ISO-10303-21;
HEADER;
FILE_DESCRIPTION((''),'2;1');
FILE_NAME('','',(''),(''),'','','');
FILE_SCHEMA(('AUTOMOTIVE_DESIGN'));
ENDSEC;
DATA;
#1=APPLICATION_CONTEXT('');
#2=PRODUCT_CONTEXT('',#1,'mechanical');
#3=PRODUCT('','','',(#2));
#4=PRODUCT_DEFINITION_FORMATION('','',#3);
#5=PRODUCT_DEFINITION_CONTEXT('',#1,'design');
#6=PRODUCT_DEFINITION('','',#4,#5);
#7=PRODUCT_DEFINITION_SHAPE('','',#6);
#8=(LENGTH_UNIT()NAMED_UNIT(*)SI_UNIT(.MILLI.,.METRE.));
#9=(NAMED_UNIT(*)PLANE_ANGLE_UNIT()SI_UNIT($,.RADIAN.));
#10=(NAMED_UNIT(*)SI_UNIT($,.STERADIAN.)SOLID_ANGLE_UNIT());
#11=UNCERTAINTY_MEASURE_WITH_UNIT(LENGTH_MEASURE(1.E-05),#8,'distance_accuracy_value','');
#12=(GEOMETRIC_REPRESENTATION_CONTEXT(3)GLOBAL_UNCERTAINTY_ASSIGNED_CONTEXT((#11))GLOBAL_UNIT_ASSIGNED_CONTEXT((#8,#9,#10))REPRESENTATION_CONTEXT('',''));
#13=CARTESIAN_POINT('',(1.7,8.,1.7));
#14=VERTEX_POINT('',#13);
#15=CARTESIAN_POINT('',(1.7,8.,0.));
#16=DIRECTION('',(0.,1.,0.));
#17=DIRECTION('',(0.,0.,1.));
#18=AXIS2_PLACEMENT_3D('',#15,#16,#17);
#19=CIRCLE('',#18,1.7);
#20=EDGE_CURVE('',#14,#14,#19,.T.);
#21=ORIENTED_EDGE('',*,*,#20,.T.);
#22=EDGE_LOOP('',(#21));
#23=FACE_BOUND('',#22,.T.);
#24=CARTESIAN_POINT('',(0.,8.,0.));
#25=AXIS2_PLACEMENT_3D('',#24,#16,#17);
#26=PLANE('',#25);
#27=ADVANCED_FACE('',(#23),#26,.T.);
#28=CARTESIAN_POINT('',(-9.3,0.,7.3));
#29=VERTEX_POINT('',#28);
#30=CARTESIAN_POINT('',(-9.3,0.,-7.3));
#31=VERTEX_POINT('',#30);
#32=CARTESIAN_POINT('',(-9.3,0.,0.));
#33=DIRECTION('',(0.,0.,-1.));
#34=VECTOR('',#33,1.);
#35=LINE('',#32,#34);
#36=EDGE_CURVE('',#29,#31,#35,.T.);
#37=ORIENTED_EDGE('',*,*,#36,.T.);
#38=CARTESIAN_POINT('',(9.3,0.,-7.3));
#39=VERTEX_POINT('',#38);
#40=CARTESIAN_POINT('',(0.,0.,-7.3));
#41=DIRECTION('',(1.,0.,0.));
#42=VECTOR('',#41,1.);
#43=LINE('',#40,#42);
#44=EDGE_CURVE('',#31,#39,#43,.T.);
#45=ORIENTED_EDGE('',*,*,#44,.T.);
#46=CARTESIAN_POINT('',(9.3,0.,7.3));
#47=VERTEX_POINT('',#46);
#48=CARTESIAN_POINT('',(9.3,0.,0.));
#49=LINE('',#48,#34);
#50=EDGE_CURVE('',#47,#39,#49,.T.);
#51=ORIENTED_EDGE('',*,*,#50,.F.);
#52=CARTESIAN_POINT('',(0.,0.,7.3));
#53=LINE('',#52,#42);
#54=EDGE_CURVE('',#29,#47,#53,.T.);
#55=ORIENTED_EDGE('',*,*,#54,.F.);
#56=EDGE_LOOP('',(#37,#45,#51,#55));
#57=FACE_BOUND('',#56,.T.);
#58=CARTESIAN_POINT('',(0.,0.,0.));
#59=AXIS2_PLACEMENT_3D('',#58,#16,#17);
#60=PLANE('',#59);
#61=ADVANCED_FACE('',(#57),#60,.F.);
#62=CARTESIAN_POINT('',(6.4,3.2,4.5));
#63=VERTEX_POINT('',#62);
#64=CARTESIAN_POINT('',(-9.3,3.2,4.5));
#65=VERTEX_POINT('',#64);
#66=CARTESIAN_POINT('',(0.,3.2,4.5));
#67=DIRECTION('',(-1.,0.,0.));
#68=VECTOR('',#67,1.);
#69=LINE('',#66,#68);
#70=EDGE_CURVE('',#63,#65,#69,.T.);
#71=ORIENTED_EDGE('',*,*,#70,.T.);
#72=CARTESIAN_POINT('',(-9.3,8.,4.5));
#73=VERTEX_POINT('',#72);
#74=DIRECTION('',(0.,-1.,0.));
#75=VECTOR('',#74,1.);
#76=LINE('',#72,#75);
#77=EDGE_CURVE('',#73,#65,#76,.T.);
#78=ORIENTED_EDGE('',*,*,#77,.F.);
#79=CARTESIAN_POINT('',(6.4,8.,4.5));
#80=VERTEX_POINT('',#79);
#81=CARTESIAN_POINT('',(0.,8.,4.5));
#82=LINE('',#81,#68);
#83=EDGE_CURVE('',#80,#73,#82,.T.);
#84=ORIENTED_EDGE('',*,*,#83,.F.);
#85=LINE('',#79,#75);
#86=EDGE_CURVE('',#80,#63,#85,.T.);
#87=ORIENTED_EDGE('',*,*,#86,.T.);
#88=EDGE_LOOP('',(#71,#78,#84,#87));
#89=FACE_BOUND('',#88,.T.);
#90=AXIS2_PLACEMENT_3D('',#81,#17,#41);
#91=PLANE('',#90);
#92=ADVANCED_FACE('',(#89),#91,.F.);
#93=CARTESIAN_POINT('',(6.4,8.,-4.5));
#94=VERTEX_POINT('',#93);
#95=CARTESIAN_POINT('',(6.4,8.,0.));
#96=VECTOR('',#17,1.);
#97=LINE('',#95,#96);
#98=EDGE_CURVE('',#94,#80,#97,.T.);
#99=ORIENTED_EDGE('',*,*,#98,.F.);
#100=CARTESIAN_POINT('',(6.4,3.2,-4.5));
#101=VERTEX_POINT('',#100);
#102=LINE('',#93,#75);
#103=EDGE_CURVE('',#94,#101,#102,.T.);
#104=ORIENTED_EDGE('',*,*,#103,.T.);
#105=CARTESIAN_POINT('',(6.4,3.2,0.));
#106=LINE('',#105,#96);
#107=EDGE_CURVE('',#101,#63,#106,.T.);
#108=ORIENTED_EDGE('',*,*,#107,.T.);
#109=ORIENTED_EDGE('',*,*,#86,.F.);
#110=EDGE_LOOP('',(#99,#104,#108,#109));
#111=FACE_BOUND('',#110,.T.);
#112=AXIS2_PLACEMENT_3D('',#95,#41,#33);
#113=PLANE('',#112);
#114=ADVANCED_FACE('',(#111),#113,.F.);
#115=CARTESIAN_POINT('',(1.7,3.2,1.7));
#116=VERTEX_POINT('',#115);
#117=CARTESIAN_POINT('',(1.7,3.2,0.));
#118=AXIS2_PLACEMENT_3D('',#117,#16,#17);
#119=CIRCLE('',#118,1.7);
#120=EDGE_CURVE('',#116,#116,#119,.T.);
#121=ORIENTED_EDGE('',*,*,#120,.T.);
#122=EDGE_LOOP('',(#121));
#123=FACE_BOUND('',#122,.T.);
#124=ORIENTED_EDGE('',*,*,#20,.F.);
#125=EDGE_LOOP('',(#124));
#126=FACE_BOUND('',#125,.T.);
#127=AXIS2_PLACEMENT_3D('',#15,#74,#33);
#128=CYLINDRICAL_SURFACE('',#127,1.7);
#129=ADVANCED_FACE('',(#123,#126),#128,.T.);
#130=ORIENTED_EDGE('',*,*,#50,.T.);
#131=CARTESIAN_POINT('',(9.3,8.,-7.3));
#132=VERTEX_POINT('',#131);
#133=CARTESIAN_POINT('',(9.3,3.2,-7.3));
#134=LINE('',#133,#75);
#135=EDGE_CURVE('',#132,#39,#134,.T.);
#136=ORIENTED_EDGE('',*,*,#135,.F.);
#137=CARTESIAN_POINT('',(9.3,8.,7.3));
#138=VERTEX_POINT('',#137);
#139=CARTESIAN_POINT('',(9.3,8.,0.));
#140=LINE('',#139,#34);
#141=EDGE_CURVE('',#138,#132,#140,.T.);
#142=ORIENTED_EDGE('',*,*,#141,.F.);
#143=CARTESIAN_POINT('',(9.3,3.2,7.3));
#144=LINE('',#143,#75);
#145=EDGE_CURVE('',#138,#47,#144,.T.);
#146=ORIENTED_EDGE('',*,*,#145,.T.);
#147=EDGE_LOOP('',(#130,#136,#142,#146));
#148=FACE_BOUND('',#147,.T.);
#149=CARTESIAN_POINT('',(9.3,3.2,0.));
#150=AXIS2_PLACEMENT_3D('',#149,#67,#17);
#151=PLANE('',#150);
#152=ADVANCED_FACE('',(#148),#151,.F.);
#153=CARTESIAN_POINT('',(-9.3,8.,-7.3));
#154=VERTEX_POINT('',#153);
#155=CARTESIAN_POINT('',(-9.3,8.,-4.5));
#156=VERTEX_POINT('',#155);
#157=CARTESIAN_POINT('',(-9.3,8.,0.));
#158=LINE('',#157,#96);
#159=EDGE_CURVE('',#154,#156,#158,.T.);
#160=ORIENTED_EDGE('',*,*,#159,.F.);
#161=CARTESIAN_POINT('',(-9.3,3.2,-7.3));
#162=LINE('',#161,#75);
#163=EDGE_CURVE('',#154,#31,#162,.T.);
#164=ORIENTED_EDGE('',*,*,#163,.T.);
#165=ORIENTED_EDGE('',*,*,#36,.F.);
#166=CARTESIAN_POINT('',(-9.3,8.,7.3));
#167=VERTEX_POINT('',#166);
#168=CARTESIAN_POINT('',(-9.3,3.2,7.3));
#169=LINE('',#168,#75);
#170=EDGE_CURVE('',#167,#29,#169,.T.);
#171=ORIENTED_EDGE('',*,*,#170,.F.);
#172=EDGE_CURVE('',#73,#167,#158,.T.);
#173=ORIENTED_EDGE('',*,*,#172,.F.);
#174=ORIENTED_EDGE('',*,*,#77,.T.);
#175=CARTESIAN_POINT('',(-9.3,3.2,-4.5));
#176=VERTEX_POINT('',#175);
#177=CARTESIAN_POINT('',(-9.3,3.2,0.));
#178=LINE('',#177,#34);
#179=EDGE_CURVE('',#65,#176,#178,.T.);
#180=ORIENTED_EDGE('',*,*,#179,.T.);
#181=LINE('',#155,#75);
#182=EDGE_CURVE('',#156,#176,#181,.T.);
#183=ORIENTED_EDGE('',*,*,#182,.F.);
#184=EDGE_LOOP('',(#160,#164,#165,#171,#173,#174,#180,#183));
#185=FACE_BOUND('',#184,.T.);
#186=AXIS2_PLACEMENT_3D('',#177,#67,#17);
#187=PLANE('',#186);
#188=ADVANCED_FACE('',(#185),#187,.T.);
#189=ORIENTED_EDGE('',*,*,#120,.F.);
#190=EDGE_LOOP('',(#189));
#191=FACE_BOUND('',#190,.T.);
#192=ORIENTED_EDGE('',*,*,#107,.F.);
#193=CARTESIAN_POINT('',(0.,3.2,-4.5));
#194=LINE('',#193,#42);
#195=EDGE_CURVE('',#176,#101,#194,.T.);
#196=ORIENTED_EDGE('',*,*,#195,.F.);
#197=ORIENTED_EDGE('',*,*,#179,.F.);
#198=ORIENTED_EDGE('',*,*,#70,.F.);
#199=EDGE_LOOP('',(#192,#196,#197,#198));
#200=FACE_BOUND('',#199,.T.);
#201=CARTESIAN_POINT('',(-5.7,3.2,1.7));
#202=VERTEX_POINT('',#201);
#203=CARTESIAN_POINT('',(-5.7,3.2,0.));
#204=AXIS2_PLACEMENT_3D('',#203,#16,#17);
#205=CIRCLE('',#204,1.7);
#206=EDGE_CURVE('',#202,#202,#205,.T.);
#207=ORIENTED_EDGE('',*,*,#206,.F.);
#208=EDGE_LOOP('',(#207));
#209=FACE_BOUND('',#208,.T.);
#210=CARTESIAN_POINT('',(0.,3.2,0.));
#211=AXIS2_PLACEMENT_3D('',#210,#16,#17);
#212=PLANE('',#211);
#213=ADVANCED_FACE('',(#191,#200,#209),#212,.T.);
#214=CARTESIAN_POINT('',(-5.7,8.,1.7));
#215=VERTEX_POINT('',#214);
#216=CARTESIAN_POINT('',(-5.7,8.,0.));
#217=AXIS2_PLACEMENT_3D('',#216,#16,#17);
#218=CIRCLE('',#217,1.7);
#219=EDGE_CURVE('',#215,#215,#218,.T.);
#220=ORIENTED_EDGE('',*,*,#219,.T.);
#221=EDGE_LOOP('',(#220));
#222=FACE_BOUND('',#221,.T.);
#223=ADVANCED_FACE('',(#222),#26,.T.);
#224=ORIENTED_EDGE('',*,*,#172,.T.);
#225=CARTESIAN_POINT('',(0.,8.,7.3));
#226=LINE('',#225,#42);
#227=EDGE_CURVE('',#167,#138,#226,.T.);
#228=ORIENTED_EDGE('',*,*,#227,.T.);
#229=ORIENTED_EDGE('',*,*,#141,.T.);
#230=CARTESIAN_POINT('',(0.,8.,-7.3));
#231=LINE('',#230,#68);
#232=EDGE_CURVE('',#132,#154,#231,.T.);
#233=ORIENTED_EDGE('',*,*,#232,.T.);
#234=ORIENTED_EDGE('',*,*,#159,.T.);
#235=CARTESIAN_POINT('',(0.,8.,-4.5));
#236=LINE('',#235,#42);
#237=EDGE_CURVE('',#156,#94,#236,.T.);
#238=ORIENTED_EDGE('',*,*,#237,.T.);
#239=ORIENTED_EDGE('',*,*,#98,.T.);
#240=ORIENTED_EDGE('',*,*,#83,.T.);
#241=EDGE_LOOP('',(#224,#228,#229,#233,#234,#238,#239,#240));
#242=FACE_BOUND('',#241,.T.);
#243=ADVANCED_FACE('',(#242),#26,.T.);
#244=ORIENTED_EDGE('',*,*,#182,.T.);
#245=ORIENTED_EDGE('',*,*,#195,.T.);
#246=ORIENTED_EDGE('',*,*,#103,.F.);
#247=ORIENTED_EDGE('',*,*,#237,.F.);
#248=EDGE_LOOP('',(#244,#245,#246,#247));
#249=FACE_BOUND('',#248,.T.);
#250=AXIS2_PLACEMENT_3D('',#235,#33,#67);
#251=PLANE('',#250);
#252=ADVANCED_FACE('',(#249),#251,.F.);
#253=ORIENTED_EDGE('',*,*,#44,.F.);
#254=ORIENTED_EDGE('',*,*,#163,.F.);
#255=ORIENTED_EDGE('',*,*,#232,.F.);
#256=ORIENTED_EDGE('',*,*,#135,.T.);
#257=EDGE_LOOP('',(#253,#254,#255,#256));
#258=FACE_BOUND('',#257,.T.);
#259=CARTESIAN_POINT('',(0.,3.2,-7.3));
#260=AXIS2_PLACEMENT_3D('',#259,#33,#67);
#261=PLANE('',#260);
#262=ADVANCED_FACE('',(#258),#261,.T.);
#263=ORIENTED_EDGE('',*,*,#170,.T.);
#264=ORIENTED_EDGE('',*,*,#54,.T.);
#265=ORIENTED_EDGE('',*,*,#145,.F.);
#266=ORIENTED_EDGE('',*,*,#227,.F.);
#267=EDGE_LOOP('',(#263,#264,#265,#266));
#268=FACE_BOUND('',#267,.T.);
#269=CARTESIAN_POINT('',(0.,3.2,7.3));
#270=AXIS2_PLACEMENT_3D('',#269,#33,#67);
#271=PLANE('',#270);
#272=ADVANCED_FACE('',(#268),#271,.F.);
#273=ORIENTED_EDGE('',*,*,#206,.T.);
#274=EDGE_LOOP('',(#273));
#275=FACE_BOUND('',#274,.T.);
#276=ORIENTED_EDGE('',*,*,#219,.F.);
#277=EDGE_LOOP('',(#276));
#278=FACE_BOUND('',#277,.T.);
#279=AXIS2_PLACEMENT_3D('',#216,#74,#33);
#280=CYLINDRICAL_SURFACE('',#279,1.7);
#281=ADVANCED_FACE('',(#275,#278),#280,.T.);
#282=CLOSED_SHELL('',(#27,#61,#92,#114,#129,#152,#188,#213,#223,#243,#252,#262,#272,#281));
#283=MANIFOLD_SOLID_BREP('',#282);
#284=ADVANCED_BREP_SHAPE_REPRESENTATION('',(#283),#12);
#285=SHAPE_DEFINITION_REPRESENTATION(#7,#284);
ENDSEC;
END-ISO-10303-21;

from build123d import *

# Parameters (mm, degrees)
SKETCH1_W           = 15.6
SKETCH1_H           = 14.6
SKETCH1_R           = 1.7
SKETCH1_W_2         = 3
BOSS_EXTRUDE1_DEPTH = 3.2
SKETCH4_W           = 15.7
SKETCH4_H           = 2.8
SKETCH4_R           = 1.7
BOSS_EXTRUDE3_DEPTH = 4.8


with BuildPart() as part:
    # Sketch1 → Boss-Extrude1 (new body)
    # profile 1 of 4: a face of its own
    with BuildSketch(Plane(origin=(0, 0, 0), x_dir=(1, 0, 0), z_dir=(0, 1, 0))):
        with Locations((-1.5, 0)):
            Rectangle(SKETCH1_W, SKETCH1_H)
        with Locations((-5.8, 0)):
            Circle(SKETCH1_R, mode=Mode.SUBTRACT)
        with Locations((1.6, 0)):
            Circle(SKETCH1_R, mode=Mode.SUBTRACT)
    # profile 2 of 4: a face of its own
    with BuildSketch(Plane(origin=(0, 0, 0), x_dir=(1, 0, 0), z_dir=(0, 1, 0))):
        with Locations((7.8, 0)):
            Rectangle(SKETCH1_W_2, SKETCH1_H)
    # profile 3 of 4: a face of its own
    with BuildSketch(Plane(origin=(0, 0, 0), x_dir=(1, 0, 0), z_dir=(0, 1, 0))):
        with Locations((1.6, 0)):
            Circle(SKETCH1_R)
    # profile 4 of 4: a face of its own
    with BuildSketch(Plane(origin=(0, 0, 0), x_dir=(1, 0, 0), z_dir=(0, 1, 0))):
        with Locations((-5.8, 0)):
            Circle(SKETCH1_R)
    extrude(amount=BOSS_EXTRUDE1_DEPTH)

    # Sketch4 → Boss-Extrude3 (add)
    with BuildSketch(Plane(origin=(0, 3.2, 0), x_dir=(1, 0, 0), z_dir=(0, 1, 0))):
        with Locations((-1.45, 5.9)):
            Rectangle(SKETCH4_W, SKETCH4_H)
        Polygon((6.4, -4.5), (6.4, -7.3), (9.3, -7.3), (9.3, 7.3), (6.4, 7.3), (6.4, 4.5), align=None)
        with Locations(Location((-5.7, 0, 0), (0, 0, 270))):
            Circle(SKETCH4_R)
        with Locations(Location((1.7, 0, 0), (0, 0, 270))):
            Circle(SKETCH4_R)
        with Locations((-1.45, -5.9)):
            Rectangle(SKETCH4_W, SKETCH4_H)
    extrude(amount=BOSS_EXTRUDE3_DEPTH)


solid = part.part
